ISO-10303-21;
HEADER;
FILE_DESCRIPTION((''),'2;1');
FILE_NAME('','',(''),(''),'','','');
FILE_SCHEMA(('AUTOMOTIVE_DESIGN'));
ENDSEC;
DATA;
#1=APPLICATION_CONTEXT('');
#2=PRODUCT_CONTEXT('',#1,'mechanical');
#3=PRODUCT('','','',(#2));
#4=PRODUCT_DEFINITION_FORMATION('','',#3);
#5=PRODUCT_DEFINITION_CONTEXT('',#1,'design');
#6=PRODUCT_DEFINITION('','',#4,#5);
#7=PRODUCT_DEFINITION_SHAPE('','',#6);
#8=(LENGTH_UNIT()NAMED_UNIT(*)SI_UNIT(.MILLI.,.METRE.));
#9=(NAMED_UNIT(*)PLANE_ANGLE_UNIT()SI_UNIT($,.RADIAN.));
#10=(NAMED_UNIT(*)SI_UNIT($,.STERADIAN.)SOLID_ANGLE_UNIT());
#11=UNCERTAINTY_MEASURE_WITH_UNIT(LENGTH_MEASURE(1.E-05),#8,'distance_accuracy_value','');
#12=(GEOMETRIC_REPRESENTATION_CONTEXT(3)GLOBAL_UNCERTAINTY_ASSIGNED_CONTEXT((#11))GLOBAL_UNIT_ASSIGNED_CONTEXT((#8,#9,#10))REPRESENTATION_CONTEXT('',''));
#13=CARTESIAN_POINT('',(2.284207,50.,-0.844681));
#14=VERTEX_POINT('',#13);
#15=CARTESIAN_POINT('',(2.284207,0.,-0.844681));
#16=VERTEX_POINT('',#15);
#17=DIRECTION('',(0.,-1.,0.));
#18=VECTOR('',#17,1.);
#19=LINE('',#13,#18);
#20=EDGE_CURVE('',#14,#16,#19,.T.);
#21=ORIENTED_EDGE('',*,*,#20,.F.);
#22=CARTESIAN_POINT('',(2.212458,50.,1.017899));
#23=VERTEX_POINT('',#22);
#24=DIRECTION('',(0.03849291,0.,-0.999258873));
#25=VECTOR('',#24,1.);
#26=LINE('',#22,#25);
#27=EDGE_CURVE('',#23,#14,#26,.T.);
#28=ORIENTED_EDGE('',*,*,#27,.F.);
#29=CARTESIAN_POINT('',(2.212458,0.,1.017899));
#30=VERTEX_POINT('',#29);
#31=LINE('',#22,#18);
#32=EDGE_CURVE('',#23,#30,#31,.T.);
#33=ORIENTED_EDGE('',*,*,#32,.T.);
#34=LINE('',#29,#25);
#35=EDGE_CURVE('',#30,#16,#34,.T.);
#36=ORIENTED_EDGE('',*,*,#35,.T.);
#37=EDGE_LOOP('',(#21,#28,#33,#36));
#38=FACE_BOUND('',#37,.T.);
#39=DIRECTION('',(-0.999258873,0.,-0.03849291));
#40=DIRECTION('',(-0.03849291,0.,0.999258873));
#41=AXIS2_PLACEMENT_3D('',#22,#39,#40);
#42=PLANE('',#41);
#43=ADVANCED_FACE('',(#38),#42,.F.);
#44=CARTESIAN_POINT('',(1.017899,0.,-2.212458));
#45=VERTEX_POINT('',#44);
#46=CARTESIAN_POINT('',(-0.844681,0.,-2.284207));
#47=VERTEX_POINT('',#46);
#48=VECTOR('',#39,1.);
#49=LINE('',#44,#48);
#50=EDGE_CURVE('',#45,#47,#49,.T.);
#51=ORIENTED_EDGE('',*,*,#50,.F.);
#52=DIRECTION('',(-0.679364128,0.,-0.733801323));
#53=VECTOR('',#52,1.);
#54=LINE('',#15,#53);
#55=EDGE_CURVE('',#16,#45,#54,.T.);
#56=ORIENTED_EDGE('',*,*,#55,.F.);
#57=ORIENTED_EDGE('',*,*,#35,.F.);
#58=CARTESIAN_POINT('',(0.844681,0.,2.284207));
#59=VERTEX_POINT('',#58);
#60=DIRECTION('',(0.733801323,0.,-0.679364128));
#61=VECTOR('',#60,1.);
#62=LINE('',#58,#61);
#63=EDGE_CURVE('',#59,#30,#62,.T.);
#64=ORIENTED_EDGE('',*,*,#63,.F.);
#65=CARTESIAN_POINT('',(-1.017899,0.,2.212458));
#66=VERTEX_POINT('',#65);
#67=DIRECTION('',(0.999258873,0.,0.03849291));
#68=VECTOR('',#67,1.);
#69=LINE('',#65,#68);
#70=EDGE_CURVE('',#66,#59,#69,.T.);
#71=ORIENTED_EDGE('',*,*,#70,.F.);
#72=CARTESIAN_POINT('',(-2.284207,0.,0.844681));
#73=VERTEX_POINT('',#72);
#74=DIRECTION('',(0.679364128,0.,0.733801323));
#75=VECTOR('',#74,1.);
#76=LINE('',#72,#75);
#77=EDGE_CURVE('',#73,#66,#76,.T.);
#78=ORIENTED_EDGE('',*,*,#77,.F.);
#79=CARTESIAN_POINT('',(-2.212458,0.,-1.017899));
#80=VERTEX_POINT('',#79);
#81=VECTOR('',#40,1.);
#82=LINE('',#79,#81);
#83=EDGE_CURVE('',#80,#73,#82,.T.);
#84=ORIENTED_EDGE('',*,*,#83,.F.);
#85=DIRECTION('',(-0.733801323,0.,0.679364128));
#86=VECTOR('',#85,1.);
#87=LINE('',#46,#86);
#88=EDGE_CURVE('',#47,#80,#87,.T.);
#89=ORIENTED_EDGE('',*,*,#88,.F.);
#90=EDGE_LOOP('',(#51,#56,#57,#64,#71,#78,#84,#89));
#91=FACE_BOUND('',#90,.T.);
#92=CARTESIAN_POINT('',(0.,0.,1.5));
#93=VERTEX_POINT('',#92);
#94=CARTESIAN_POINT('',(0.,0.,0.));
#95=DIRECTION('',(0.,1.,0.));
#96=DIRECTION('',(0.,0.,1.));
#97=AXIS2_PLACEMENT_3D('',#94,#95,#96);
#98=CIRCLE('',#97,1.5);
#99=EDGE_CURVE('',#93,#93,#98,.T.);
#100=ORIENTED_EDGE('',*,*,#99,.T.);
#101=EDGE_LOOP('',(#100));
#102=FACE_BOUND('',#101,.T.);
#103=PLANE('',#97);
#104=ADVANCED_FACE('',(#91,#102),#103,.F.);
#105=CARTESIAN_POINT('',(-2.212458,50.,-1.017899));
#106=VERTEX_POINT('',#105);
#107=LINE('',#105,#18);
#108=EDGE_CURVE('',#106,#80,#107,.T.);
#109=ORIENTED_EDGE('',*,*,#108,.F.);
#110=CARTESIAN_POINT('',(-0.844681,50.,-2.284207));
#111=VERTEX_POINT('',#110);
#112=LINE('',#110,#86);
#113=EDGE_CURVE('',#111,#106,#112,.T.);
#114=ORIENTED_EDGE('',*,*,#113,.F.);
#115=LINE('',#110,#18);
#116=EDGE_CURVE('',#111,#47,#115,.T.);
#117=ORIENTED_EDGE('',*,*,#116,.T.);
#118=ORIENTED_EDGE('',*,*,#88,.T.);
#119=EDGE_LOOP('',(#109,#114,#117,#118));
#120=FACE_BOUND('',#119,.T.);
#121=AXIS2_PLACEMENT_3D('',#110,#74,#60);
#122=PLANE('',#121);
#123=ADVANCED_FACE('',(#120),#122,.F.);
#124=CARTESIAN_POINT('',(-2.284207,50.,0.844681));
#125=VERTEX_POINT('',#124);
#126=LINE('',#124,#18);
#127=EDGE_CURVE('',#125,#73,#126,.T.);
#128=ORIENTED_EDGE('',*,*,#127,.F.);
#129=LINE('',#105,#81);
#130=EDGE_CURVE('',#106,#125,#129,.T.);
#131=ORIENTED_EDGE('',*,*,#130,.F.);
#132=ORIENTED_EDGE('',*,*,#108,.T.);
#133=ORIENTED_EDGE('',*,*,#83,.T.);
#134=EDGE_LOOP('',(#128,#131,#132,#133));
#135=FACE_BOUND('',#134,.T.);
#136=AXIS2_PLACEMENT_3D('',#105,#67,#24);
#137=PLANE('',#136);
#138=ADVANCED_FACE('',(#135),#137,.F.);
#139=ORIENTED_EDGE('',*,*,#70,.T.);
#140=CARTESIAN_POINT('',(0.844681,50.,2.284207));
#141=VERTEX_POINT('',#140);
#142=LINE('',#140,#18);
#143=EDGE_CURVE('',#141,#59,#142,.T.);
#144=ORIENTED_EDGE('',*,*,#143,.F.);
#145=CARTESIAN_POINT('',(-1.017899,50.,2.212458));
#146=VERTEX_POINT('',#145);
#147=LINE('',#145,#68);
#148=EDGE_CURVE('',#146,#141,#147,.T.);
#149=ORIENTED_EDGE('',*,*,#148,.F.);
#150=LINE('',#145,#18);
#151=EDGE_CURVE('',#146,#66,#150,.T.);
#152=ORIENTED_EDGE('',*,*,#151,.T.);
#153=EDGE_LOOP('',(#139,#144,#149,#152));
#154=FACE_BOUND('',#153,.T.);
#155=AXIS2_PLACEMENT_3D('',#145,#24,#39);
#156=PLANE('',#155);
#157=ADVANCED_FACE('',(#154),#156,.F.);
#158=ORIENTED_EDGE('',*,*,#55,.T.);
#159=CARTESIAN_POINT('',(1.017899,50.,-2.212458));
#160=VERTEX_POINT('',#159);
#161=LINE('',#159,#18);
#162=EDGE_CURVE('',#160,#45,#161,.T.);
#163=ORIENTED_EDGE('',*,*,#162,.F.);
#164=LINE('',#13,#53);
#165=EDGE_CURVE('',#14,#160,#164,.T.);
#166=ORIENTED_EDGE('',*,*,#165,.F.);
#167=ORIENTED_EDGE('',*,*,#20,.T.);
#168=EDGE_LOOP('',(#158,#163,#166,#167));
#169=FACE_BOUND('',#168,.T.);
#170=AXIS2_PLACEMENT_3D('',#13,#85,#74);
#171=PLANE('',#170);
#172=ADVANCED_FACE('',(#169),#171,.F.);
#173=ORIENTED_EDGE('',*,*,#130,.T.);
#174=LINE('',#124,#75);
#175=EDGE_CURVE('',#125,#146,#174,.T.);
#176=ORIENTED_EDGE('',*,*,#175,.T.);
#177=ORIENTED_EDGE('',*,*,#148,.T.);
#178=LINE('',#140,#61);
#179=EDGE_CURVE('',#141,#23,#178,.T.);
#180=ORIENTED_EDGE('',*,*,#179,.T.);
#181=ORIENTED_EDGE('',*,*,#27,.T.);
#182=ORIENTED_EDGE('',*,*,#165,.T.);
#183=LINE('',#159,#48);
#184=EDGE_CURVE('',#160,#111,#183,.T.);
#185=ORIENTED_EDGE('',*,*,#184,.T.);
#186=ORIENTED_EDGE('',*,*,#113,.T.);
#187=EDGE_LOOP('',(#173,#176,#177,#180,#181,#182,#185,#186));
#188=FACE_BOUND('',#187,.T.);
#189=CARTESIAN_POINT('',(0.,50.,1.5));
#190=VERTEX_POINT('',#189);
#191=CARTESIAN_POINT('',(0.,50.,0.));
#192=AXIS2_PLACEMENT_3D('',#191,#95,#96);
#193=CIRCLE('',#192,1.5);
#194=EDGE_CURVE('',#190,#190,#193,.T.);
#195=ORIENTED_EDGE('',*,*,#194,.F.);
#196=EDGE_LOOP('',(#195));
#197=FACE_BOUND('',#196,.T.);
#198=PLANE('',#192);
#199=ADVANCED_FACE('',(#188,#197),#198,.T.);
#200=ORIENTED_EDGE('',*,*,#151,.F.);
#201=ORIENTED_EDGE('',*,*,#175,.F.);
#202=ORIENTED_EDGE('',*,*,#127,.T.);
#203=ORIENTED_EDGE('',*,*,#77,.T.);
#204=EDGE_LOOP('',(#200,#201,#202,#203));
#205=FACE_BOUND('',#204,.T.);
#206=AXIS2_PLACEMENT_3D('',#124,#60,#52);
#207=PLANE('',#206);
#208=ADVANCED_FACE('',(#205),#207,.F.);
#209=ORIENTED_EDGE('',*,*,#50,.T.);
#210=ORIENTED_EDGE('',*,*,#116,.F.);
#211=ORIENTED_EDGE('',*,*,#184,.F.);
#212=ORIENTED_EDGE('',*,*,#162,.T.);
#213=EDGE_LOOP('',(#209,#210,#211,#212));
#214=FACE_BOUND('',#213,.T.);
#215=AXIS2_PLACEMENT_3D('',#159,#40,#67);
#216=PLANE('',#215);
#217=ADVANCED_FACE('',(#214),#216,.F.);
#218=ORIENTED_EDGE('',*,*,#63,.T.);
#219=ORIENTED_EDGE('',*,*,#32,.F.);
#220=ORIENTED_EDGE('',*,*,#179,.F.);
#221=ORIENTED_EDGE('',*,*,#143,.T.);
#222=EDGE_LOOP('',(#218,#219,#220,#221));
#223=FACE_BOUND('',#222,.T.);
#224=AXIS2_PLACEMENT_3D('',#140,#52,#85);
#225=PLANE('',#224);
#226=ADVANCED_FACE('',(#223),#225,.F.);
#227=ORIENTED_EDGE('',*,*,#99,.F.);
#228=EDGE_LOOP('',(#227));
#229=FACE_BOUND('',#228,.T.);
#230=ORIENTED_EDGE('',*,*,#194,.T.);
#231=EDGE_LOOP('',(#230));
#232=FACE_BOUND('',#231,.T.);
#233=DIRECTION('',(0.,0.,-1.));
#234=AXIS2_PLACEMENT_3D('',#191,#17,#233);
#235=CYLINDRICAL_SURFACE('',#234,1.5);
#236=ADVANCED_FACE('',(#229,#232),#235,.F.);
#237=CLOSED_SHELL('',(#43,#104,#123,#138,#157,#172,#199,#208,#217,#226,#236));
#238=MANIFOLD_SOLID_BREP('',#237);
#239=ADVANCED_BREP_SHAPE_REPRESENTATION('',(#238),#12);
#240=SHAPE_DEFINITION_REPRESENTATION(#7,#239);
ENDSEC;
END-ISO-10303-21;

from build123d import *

# Parameters (mm, degrees)
SKETCH1_R           = 1.5
BOSS_EXTRUDE1_DEPTH = 50


with BuildPart() as part:
    # Sketch1 → Boss-Extrude1 (new body)
    with BuildSketch(Plane(origin=(0, 0, 0), x_dir=(1, 0, 0), z_dir=(0, 1, 0))):
        Polygon((2.284207107, 0.844680753), (1.017898846, 2.212457823), (-0.844680753, 2.284207107), (-2.212457823, 1.017898846), (-2.284207107, -0.844680753), (-1.017898846, -2.212457823), (0.844680753, -2.284207107), (2.212457823, -1.017898846), align=None)
        with Locations(Location((0, 0, 0), (0, 0, 270))):
            Circle(SKETCH1_R, mode=Mode.SUBTRACT)
    extrude(amount=BOSS_EXTRUDE1_DEPTH)


solid = part.part
